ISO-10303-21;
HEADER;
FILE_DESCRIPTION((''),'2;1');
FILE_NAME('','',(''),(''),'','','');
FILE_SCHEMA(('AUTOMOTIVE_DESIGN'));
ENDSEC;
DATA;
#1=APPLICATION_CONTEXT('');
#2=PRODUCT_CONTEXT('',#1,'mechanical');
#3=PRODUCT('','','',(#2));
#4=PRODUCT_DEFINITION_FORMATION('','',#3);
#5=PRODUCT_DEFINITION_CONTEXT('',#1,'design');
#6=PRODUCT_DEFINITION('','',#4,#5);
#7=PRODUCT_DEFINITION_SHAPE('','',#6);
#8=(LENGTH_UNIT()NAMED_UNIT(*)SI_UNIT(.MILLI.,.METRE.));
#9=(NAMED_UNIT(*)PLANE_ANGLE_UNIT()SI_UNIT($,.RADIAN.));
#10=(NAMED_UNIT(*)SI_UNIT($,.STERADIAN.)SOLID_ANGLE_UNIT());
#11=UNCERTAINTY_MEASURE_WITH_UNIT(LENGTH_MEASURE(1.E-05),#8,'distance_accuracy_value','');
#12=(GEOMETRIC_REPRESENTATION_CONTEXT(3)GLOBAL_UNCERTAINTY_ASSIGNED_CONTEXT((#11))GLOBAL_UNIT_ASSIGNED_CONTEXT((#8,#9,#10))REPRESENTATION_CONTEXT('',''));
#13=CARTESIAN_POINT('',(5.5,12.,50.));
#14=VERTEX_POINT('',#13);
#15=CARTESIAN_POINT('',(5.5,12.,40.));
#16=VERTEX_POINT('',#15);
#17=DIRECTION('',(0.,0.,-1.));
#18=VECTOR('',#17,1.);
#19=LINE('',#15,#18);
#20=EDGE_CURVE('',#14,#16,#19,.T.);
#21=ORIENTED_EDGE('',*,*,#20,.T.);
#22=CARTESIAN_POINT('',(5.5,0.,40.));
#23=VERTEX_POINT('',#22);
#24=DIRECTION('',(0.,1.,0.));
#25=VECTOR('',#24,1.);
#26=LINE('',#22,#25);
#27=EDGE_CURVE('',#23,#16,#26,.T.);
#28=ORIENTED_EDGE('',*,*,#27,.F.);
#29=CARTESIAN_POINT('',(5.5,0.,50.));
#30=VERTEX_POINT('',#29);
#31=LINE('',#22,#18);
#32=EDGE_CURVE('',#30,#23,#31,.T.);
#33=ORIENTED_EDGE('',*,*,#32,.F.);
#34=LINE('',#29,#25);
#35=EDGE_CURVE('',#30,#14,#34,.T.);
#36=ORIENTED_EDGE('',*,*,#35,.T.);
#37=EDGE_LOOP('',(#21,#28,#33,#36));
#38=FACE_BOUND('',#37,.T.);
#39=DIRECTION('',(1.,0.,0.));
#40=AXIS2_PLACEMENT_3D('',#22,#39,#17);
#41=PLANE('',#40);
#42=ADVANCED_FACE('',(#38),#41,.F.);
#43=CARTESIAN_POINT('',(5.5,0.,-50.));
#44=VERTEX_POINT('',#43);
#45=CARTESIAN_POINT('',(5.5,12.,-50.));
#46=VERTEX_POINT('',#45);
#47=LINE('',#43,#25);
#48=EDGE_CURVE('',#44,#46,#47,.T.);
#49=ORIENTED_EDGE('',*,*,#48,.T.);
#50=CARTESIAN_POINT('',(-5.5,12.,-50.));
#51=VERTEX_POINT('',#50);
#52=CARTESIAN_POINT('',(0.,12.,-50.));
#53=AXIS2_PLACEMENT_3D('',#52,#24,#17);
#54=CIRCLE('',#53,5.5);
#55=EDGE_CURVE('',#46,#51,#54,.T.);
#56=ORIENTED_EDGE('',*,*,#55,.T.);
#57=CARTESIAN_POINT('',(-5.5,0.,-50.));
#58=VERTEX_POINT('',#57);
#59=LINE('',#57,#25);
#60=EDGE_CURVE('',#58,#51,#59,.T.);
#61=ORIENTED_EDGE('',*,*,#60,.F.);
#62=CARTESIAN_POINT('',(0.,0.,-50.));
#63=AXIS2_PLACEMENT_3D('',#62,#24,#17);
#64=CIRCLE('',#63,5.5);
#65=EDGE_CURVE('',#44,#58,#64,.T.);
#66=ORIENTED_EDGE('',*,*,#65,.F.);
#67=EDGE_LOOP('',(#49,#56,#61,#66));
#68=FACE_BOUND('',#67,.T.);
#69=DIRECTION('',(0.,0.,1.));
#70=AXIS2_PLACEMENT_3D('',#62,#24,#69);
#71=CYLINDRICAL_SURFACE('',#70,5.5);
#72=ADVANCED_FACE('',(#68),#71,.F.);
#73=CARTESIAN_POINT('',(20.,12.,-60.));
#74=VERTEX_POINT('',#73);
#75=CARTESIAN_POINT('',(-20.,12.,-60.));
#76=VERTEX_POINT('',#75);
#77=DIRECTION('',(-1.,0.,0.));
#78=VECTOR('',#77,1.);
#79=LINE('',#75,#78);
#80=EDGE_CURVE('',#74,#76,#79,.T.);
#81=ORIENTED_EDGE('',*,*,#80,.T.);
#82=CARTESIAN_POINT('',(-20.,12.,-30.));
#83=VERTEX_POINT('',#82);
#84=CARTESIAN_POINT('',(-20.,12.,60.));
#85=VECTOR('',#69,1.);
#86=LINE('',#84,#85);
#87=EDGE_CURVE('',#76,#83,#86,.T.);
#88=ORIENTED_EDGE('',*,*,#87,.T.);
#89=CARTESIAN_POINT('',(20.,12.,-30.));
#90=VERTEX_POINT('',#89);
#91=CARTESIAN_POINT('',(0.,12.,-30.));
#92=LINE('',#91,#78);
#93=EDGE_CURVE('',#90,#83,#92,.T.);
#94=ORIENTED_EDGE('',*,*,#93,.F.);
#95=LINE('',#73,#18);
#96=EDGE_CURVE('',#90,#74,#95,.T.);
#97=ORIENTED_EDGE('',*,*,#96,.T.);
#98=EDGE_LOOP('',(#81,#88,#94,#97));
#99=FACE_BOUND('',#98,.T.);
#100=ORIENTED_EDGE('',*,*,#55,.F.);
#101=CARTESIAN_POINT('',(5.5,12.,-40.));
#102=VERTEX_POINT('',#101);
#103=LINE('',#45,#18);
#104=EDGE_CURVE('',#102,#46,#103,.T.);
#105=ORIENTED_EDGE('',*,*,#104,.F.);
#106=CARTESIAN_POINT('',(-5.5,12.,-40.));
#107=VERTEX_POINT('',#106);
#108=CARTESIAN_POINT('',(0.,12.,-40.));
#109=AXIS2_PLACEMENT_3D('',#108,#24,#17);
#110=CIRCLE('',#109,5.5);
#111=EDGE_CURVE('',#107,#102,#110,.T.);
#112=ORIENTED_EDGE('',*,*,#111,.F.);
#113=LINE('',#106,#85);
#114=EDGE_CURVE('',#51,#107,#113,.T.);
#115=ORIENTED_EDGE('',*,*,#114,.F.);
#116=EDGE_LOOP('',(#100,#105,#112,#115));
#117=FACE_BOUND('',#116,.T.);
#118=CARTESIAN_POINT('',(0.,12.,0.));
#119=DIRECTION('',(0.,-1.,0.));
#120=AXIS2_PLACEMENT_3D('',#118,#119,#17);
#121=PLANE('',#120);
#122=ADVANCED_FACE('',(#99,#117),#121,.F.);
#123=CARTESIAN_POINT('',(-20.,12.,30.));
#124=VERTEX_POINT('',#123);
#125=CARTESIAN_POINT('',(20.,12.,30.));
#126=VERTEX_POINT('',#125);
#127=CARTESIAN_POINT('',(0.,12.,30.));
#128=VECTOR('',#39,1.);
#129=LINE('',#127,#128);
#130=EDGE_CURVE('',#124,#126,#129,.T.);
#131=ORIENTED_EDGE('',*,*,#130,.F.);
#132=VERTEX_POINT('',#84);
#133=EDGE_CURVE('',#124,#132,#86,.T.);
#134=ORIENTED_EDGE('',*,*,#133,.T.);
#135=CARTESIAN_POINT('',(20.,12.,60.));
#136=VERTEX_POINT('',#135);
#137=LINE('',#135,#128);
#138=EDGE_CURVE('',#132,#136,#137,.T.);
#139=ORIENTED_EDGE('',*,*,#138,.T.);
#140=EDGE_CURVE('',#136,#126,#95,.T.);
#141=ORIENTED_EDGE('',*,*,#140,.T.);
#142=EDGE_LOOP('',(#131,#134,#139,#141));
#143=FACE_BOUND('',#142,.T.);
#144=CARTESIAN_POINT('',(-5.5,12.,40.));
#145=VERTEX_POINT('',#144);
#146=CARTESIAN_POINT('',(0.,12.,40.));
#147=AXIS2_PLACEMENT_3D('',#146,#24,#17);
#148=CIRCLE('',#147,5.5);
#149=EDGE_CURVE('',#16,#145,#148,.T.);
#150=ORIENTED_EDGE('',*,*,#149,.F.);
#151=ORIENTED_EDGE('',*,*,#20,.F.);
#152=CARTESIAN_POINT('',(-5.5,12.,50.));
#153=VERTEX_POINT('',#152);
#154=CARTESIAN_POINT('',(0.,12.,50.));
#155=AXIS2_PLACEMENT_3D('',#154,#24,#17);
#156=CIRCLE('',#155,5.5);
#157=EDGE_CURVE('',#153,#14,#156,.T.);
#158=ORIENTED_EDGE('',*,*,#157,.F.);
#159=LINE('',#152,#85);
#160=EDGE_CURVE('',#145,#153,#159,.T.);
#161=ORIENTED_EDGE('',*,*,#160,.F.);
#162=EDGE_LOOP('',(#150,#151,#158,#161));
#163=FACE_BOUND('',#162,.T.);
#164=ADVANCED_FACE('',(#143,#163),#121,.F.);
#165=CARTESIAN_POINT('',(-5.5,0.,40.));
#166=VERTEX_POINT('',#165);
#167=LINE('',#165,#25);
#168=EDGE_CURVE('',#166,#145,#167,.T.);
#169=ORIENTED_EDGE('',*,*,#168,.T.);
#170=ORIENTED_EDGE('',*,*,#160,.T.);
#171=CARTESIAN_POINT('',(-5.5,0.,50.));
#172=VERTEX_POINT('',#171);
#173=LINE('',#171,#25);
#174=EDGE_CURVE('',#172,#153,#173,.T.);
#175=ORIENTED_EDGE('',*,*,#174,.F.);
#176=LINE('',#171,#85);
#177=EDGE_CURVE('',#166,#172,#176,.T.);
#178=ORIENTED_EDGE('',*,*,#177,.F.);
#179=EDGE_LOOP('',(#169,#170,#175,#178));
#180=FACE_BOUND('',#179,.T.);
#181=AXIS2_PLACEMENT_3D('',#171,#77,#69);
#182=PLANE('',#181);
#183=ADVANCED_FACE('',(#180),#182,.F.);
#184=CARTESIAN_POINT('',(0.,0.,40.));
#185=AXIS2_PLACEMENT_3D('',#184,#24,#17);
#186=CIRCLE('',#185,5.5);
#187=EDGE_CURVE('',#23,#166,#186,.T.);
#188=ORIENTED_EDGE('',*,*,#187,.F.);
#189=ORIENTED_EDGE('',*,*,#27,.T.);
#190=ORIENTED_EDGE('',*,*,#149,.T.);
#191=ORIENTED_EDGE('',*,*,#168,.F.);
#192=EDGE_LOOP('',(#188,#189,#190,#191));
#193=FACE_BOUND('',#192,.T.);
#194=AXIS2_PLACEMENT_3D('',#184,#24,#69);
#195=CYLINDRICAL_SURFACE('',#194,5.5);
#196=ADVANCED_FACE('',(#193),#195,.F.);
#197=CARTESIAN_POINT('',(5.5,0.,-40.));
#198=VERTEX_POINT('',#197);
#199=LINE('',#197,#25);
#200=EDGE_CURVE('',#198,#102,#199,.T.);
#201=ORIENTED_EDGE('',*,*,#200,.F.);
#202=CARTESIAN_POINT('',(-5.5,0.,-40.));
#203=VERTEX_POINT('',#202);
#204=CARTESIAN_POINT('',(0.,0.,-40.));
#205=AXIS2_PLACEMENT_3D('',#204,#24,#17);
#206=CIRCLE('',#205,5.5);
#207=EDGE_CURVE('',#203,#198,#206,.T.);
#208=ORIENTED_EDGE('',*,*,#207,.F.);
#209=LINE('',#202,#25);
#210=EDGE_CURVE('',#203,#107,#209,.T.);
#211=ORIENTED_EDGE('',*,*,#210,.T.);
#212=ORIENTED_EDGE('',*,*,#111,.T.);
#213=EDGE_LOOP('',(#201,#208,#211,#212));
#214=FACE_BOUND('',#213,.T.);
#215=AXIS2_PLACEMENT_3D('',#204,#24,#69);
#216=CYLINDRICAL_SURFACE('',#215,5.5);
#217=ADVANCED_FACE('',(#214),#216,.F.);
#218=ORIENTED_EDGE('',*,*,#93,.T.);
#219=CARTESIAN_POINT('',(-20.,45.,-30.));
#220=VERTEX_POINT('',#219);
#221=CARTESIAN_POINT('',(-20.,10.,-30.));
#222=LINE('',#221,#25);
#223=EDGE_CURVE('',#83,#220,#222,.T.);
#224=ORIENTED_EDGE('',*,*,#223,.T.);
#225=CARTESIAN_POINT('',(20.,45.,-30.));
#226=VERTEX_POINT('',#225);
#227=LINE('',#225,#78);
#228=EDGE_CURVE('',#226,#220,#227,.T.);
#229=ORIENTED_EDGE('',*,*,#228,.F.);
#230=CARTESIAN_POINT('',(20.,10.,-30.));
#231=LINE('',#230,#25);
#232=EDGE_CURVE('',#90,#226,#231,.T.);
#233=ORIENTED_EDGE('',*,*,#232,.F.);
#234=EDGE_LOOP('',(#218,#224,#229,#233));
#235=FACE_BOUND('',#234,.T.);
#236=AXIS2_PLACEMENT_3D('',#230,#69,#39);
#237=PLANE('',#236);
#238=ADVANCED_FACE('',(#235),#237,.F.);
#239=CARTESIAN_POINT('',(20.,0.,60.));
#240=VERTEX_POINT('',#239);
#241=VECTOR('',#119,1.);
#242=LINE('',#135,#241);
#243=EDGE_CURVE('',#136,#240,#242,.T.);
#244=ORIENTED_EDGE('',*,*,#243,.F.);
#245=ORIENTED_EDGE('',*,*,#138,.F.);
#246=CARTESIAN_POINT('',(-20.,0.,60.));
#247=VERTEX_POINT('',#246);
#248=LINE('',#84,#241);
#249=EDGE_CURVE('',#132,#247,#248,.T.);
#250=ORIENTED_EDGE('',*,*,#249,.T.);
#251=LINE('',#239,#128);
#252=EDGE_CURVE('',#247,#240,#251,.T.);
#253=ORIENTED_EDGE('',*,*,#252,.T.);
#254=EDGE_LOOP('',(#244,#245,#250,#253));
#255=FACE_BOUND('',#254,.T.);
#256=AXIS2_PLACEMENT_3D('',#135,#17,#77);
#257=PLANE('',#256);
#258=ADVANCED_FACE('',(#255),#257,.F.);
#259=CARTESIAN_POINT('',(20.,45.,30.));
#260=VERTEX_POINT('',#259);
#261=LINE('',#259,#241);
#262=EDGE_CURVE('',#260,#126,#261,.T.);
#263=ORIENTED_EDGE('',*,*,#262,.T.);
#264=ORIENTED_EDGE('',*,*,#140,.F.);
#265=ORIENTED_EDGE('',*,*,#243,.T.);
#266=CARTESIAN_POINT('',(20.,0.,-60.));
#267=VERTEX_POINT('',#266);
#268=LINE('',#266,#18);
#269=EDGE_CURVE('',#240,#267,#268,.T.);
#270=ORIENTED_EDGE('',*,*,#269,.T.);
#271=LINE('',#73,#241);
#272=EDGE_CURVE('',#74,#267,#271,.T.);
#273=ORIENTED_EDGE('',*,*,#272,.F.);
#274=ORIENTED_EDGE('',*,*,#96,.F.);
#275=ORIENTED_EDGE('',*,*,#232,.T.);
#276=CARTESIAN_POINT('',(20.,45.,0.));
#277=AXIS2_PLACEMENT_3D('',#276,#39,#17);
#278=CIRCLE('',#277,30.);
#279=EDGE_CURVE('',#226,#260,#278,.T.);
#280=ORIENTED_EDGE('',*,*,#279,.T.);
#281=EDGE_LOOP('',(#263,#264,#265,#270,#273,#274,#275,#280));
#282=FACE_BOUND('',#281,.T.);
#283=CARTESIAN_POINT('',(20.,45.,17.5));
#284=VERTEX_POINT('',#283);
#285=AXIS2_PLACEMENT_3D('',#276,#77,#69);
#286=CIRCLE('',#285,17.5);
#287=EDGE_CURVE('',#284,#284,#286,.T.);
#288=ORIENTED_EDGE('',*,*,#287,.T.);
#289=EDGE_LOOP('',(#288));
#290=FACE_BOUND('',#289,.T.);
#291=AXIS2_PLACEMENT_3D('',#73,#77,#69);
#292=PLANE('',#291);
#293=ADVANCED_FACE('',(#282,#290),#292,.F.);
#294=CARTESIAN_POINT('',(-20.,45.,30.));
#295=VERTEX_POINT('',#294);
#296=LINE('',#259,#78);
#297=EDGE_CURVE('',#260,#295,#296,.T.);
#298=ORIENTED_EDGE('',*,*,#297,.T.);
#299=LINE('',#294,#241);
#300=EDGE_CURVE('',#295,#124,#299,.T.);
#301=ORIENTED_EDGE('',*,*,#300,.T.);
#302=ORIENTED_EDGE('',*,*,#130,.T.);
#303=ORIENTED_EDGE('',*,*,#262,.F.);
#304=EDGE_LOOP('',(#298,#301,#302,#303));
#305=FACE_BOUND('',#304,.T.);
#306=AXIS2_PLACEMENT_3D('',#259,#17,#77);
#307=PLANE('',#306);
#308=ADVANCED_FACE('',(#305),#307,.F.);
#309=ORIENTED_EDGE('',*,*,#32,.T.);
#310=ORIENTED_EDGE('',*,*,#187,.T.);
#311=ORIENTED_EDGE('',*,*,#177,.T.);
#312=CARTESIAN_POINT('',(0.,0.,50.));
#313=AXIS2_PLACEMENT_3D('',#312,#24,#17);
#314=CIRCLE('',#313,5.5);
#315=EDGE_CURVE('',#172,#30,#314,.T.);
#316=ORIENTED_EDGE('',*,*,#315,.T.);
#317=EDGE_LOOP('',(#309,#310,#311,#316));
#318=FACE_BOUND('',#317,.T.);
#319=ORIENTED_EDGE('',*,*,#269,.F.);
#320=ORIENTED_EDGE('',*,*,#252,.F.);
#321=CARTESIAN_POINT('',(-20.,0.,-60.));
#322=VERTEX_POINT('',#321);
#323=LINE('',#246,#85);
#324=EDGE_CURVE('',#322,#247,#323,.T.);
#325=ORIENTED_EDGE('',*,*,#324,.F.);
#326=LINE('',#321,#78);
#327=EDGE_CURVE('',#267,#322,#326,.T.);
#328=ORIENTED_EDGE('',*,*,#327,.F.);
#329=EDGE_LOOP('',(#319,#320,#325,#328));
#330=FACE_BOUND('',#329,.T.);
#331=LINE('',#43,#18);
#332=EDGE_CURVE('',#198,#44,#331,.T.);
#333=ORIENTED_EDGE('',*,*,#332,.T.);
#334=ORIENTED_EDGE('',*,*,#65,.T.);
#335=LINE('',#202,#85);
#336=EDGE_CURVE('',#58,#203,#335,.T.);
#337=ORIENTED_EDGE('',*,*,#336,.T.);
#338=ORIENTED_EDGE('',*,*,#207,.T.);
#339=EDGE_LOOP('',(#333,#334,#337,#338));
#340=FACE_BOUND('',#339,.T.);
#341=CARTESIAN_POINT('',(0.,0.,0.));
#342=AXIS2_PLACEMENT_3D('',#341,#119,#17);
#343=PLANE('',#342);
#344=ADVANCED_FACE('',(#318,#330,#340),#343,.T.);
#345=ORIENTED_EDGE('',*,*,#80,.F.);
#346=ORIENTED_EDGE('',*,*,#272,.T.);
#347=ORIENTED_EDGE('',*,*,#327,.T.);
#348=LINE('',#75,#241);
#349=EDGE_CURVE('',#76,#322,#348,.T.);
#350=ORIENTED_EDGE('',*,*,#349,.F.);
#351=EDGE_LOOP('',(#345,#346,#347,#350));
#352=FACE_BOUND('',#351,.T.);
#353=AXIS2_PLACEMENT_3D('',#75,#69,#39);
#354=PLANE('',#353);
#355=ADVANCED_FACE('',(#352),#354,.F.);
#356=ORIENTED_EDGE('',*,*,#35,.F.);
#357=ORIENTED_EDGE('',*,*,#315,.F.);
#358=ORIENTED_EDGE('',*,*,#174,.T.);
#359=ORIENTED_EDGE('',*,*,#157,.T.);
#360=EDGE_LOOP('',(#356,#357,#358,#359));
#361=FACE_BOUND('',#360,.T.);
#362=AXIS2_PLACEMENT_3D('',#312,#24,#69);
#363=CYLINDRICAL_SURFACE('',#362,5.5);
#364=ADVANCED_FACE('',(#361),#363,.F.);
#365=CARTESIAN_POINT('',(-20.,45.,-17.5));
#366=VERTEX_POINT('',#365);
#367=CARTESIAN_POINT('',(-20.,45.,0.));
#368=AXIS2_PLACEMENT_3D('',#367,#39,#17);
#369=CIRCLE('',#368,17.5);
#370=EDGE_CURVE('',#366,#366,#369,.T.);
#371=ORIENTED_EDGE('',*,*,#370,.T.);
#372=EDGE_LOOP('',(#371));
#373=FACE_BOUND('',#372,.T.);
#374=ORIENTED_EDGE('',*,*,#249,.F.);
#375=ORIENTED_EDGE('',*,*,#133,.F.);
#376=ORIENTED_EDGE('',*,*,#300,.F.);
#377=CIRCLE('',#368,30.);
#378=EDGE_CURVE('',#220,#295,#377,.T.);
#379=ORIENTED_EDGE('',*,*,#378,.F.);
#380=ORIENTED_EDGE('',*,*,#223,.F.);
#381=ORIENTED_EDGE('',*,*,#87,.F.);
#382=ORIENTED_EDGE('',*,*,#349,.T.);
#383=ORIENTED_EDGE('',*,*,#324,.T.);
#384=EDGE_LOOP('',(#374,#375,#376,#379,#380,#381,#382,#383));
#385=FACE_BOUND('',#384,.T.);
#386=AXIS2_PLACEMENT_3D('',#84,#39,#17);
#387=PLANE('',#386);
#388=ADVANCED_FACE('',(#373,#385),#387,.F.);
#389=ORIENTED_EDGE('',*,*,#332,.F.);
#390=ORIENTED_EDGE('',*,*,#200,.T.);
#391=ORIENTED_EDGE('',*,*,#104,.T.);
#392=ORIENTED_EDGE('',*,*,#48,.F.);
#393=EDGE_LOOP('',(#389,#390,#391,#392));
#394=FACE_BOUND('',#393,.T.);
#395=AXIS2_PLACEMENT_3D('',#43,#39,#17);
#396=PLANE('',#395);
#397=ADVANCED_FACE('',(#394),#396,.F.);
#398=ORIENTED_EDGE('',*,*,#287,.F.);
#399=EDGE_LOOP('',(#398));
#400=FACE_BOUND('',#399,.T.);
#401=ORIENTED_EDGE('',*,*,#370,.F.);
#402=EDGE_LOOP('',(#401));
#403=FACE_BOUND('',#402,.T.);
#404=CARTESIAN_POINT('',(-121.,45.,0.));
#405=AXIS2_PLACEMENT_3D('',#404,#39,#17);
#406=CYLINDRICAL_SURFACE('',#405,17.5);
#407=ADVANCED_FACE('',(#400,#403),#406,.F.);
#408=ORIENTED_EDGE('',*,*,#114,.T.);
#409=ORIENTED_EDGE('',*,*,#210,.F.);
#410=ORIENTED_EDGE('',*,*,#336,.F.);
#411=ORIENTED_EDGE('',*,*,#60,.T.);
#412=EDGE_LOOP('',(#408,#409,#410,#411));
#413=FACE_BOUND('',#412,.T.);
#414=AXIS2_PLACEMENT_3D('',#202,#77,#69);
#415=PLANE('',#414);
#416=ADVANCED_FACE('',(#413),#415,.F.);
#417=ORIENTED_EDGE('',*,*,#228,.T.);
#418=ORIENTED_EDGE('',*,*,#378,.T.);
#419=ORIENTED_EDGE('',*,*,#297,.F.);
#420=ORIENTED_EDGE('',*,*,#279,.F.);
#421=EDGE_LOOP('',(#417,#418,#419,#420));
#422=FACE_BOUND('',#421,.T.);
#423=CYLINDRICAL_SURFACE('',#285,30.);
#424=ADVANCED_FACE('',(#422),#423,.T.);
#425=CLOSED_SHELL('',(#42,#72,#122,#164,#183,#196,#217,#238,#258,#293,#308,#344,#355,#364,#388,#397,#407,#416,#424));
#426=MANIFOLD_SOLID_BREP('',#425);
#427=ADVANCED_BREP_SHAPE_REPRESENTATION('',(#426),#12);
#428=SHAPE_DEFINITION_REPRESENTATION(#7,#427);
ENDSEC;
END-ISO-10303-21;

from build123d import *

# Parameters (mm, degrees)
SKETCH_1_W          = 40
SKETCH_1_H          = 120
EXTRUDE_1_DEPTH     = 12
EXTRUDE_2_DEPTH     = 40
SKETCH_3_R          = 17.5
CUT_EXTRUDE_1_DEPTH = 121
CUT_EXTRUDE_2_DEPTH = 90.269255626


with BuildPart() as part:
    # 草图1 → 凸台-拉伸1 (new body)
    with BuildSketch(Plane(origin=(0, 0, 0), x_dir=(1, 0, 0), z_dir=(0, 1, 0))):
        Rectangle(SKETCH_1_W, SKETCH_1_H)
    extrude(amount=EXTRUDE_1_DEPTH)

    # 草图2 → 凸台-拉伸2 (add)
    with BuildSketch(Plane(origin=(-20, 0, 0), x_dir=(0, 0, -1), z_dir=(1, 0, 0))):
        with BuildLine():
            Line((30, 10), (30, 45))
            ThreePointArc((30, 45), (0, 75), (-30, 45))
            Line((-30, 45), (-30, 10))
            Line((-30, 10), (30, 10))
        make_face()
    extrude(amount=EXTRUDE_2_DEPTH)

    # 草图3 → 切除-拉伸1 (cut, symmetric)
    with BuildSketch(Plane(origin=(0, 0, 0), x_dir=(0, 0, -1), z_dir=(1, 0, 0))):
        with Locations((0, 45)):
            Circle(SKETCH_3_R)
    extrude(amount=CUT_EXTRUDE_1_DEPTH, both=True, mode=Mode.SUBTRACT)

    # 草图4 → 切除-拉伸2 (cut, through all)
    with BuildSketch(Plane(origin=(0, 12, 0), x_dir=(1, 0, 0), z_dir=(0, 1, 0))):
        with BuildLine():
            Line((5.5, -40), (5.5, -50))
            ThreePointArc((5.5, -50), (0, -55.5), (-5.5, -50))
            Line((-5.5, -50), (-5.5, -40))
            ThreePointArc((-5.5, -40), (0, -34.5), (5.5, -40))
        make_face()
        with BuildLine():
            Line((5.5, 50), (5.5, 40))
            ThreePointArc((5.5, 40), (0, 34.5), (-5.5, 40))
            Line((-5.5, 40), (-5.5, 50))
            ThreePointArc((-5.5, 50), (0, 55.5), (5.5, 50))
        make_face()
    extrude(amount=-CUT_EXTRUDE_2_DEPTH, mode=Mode.SUBTRACT)


solid = part.part
